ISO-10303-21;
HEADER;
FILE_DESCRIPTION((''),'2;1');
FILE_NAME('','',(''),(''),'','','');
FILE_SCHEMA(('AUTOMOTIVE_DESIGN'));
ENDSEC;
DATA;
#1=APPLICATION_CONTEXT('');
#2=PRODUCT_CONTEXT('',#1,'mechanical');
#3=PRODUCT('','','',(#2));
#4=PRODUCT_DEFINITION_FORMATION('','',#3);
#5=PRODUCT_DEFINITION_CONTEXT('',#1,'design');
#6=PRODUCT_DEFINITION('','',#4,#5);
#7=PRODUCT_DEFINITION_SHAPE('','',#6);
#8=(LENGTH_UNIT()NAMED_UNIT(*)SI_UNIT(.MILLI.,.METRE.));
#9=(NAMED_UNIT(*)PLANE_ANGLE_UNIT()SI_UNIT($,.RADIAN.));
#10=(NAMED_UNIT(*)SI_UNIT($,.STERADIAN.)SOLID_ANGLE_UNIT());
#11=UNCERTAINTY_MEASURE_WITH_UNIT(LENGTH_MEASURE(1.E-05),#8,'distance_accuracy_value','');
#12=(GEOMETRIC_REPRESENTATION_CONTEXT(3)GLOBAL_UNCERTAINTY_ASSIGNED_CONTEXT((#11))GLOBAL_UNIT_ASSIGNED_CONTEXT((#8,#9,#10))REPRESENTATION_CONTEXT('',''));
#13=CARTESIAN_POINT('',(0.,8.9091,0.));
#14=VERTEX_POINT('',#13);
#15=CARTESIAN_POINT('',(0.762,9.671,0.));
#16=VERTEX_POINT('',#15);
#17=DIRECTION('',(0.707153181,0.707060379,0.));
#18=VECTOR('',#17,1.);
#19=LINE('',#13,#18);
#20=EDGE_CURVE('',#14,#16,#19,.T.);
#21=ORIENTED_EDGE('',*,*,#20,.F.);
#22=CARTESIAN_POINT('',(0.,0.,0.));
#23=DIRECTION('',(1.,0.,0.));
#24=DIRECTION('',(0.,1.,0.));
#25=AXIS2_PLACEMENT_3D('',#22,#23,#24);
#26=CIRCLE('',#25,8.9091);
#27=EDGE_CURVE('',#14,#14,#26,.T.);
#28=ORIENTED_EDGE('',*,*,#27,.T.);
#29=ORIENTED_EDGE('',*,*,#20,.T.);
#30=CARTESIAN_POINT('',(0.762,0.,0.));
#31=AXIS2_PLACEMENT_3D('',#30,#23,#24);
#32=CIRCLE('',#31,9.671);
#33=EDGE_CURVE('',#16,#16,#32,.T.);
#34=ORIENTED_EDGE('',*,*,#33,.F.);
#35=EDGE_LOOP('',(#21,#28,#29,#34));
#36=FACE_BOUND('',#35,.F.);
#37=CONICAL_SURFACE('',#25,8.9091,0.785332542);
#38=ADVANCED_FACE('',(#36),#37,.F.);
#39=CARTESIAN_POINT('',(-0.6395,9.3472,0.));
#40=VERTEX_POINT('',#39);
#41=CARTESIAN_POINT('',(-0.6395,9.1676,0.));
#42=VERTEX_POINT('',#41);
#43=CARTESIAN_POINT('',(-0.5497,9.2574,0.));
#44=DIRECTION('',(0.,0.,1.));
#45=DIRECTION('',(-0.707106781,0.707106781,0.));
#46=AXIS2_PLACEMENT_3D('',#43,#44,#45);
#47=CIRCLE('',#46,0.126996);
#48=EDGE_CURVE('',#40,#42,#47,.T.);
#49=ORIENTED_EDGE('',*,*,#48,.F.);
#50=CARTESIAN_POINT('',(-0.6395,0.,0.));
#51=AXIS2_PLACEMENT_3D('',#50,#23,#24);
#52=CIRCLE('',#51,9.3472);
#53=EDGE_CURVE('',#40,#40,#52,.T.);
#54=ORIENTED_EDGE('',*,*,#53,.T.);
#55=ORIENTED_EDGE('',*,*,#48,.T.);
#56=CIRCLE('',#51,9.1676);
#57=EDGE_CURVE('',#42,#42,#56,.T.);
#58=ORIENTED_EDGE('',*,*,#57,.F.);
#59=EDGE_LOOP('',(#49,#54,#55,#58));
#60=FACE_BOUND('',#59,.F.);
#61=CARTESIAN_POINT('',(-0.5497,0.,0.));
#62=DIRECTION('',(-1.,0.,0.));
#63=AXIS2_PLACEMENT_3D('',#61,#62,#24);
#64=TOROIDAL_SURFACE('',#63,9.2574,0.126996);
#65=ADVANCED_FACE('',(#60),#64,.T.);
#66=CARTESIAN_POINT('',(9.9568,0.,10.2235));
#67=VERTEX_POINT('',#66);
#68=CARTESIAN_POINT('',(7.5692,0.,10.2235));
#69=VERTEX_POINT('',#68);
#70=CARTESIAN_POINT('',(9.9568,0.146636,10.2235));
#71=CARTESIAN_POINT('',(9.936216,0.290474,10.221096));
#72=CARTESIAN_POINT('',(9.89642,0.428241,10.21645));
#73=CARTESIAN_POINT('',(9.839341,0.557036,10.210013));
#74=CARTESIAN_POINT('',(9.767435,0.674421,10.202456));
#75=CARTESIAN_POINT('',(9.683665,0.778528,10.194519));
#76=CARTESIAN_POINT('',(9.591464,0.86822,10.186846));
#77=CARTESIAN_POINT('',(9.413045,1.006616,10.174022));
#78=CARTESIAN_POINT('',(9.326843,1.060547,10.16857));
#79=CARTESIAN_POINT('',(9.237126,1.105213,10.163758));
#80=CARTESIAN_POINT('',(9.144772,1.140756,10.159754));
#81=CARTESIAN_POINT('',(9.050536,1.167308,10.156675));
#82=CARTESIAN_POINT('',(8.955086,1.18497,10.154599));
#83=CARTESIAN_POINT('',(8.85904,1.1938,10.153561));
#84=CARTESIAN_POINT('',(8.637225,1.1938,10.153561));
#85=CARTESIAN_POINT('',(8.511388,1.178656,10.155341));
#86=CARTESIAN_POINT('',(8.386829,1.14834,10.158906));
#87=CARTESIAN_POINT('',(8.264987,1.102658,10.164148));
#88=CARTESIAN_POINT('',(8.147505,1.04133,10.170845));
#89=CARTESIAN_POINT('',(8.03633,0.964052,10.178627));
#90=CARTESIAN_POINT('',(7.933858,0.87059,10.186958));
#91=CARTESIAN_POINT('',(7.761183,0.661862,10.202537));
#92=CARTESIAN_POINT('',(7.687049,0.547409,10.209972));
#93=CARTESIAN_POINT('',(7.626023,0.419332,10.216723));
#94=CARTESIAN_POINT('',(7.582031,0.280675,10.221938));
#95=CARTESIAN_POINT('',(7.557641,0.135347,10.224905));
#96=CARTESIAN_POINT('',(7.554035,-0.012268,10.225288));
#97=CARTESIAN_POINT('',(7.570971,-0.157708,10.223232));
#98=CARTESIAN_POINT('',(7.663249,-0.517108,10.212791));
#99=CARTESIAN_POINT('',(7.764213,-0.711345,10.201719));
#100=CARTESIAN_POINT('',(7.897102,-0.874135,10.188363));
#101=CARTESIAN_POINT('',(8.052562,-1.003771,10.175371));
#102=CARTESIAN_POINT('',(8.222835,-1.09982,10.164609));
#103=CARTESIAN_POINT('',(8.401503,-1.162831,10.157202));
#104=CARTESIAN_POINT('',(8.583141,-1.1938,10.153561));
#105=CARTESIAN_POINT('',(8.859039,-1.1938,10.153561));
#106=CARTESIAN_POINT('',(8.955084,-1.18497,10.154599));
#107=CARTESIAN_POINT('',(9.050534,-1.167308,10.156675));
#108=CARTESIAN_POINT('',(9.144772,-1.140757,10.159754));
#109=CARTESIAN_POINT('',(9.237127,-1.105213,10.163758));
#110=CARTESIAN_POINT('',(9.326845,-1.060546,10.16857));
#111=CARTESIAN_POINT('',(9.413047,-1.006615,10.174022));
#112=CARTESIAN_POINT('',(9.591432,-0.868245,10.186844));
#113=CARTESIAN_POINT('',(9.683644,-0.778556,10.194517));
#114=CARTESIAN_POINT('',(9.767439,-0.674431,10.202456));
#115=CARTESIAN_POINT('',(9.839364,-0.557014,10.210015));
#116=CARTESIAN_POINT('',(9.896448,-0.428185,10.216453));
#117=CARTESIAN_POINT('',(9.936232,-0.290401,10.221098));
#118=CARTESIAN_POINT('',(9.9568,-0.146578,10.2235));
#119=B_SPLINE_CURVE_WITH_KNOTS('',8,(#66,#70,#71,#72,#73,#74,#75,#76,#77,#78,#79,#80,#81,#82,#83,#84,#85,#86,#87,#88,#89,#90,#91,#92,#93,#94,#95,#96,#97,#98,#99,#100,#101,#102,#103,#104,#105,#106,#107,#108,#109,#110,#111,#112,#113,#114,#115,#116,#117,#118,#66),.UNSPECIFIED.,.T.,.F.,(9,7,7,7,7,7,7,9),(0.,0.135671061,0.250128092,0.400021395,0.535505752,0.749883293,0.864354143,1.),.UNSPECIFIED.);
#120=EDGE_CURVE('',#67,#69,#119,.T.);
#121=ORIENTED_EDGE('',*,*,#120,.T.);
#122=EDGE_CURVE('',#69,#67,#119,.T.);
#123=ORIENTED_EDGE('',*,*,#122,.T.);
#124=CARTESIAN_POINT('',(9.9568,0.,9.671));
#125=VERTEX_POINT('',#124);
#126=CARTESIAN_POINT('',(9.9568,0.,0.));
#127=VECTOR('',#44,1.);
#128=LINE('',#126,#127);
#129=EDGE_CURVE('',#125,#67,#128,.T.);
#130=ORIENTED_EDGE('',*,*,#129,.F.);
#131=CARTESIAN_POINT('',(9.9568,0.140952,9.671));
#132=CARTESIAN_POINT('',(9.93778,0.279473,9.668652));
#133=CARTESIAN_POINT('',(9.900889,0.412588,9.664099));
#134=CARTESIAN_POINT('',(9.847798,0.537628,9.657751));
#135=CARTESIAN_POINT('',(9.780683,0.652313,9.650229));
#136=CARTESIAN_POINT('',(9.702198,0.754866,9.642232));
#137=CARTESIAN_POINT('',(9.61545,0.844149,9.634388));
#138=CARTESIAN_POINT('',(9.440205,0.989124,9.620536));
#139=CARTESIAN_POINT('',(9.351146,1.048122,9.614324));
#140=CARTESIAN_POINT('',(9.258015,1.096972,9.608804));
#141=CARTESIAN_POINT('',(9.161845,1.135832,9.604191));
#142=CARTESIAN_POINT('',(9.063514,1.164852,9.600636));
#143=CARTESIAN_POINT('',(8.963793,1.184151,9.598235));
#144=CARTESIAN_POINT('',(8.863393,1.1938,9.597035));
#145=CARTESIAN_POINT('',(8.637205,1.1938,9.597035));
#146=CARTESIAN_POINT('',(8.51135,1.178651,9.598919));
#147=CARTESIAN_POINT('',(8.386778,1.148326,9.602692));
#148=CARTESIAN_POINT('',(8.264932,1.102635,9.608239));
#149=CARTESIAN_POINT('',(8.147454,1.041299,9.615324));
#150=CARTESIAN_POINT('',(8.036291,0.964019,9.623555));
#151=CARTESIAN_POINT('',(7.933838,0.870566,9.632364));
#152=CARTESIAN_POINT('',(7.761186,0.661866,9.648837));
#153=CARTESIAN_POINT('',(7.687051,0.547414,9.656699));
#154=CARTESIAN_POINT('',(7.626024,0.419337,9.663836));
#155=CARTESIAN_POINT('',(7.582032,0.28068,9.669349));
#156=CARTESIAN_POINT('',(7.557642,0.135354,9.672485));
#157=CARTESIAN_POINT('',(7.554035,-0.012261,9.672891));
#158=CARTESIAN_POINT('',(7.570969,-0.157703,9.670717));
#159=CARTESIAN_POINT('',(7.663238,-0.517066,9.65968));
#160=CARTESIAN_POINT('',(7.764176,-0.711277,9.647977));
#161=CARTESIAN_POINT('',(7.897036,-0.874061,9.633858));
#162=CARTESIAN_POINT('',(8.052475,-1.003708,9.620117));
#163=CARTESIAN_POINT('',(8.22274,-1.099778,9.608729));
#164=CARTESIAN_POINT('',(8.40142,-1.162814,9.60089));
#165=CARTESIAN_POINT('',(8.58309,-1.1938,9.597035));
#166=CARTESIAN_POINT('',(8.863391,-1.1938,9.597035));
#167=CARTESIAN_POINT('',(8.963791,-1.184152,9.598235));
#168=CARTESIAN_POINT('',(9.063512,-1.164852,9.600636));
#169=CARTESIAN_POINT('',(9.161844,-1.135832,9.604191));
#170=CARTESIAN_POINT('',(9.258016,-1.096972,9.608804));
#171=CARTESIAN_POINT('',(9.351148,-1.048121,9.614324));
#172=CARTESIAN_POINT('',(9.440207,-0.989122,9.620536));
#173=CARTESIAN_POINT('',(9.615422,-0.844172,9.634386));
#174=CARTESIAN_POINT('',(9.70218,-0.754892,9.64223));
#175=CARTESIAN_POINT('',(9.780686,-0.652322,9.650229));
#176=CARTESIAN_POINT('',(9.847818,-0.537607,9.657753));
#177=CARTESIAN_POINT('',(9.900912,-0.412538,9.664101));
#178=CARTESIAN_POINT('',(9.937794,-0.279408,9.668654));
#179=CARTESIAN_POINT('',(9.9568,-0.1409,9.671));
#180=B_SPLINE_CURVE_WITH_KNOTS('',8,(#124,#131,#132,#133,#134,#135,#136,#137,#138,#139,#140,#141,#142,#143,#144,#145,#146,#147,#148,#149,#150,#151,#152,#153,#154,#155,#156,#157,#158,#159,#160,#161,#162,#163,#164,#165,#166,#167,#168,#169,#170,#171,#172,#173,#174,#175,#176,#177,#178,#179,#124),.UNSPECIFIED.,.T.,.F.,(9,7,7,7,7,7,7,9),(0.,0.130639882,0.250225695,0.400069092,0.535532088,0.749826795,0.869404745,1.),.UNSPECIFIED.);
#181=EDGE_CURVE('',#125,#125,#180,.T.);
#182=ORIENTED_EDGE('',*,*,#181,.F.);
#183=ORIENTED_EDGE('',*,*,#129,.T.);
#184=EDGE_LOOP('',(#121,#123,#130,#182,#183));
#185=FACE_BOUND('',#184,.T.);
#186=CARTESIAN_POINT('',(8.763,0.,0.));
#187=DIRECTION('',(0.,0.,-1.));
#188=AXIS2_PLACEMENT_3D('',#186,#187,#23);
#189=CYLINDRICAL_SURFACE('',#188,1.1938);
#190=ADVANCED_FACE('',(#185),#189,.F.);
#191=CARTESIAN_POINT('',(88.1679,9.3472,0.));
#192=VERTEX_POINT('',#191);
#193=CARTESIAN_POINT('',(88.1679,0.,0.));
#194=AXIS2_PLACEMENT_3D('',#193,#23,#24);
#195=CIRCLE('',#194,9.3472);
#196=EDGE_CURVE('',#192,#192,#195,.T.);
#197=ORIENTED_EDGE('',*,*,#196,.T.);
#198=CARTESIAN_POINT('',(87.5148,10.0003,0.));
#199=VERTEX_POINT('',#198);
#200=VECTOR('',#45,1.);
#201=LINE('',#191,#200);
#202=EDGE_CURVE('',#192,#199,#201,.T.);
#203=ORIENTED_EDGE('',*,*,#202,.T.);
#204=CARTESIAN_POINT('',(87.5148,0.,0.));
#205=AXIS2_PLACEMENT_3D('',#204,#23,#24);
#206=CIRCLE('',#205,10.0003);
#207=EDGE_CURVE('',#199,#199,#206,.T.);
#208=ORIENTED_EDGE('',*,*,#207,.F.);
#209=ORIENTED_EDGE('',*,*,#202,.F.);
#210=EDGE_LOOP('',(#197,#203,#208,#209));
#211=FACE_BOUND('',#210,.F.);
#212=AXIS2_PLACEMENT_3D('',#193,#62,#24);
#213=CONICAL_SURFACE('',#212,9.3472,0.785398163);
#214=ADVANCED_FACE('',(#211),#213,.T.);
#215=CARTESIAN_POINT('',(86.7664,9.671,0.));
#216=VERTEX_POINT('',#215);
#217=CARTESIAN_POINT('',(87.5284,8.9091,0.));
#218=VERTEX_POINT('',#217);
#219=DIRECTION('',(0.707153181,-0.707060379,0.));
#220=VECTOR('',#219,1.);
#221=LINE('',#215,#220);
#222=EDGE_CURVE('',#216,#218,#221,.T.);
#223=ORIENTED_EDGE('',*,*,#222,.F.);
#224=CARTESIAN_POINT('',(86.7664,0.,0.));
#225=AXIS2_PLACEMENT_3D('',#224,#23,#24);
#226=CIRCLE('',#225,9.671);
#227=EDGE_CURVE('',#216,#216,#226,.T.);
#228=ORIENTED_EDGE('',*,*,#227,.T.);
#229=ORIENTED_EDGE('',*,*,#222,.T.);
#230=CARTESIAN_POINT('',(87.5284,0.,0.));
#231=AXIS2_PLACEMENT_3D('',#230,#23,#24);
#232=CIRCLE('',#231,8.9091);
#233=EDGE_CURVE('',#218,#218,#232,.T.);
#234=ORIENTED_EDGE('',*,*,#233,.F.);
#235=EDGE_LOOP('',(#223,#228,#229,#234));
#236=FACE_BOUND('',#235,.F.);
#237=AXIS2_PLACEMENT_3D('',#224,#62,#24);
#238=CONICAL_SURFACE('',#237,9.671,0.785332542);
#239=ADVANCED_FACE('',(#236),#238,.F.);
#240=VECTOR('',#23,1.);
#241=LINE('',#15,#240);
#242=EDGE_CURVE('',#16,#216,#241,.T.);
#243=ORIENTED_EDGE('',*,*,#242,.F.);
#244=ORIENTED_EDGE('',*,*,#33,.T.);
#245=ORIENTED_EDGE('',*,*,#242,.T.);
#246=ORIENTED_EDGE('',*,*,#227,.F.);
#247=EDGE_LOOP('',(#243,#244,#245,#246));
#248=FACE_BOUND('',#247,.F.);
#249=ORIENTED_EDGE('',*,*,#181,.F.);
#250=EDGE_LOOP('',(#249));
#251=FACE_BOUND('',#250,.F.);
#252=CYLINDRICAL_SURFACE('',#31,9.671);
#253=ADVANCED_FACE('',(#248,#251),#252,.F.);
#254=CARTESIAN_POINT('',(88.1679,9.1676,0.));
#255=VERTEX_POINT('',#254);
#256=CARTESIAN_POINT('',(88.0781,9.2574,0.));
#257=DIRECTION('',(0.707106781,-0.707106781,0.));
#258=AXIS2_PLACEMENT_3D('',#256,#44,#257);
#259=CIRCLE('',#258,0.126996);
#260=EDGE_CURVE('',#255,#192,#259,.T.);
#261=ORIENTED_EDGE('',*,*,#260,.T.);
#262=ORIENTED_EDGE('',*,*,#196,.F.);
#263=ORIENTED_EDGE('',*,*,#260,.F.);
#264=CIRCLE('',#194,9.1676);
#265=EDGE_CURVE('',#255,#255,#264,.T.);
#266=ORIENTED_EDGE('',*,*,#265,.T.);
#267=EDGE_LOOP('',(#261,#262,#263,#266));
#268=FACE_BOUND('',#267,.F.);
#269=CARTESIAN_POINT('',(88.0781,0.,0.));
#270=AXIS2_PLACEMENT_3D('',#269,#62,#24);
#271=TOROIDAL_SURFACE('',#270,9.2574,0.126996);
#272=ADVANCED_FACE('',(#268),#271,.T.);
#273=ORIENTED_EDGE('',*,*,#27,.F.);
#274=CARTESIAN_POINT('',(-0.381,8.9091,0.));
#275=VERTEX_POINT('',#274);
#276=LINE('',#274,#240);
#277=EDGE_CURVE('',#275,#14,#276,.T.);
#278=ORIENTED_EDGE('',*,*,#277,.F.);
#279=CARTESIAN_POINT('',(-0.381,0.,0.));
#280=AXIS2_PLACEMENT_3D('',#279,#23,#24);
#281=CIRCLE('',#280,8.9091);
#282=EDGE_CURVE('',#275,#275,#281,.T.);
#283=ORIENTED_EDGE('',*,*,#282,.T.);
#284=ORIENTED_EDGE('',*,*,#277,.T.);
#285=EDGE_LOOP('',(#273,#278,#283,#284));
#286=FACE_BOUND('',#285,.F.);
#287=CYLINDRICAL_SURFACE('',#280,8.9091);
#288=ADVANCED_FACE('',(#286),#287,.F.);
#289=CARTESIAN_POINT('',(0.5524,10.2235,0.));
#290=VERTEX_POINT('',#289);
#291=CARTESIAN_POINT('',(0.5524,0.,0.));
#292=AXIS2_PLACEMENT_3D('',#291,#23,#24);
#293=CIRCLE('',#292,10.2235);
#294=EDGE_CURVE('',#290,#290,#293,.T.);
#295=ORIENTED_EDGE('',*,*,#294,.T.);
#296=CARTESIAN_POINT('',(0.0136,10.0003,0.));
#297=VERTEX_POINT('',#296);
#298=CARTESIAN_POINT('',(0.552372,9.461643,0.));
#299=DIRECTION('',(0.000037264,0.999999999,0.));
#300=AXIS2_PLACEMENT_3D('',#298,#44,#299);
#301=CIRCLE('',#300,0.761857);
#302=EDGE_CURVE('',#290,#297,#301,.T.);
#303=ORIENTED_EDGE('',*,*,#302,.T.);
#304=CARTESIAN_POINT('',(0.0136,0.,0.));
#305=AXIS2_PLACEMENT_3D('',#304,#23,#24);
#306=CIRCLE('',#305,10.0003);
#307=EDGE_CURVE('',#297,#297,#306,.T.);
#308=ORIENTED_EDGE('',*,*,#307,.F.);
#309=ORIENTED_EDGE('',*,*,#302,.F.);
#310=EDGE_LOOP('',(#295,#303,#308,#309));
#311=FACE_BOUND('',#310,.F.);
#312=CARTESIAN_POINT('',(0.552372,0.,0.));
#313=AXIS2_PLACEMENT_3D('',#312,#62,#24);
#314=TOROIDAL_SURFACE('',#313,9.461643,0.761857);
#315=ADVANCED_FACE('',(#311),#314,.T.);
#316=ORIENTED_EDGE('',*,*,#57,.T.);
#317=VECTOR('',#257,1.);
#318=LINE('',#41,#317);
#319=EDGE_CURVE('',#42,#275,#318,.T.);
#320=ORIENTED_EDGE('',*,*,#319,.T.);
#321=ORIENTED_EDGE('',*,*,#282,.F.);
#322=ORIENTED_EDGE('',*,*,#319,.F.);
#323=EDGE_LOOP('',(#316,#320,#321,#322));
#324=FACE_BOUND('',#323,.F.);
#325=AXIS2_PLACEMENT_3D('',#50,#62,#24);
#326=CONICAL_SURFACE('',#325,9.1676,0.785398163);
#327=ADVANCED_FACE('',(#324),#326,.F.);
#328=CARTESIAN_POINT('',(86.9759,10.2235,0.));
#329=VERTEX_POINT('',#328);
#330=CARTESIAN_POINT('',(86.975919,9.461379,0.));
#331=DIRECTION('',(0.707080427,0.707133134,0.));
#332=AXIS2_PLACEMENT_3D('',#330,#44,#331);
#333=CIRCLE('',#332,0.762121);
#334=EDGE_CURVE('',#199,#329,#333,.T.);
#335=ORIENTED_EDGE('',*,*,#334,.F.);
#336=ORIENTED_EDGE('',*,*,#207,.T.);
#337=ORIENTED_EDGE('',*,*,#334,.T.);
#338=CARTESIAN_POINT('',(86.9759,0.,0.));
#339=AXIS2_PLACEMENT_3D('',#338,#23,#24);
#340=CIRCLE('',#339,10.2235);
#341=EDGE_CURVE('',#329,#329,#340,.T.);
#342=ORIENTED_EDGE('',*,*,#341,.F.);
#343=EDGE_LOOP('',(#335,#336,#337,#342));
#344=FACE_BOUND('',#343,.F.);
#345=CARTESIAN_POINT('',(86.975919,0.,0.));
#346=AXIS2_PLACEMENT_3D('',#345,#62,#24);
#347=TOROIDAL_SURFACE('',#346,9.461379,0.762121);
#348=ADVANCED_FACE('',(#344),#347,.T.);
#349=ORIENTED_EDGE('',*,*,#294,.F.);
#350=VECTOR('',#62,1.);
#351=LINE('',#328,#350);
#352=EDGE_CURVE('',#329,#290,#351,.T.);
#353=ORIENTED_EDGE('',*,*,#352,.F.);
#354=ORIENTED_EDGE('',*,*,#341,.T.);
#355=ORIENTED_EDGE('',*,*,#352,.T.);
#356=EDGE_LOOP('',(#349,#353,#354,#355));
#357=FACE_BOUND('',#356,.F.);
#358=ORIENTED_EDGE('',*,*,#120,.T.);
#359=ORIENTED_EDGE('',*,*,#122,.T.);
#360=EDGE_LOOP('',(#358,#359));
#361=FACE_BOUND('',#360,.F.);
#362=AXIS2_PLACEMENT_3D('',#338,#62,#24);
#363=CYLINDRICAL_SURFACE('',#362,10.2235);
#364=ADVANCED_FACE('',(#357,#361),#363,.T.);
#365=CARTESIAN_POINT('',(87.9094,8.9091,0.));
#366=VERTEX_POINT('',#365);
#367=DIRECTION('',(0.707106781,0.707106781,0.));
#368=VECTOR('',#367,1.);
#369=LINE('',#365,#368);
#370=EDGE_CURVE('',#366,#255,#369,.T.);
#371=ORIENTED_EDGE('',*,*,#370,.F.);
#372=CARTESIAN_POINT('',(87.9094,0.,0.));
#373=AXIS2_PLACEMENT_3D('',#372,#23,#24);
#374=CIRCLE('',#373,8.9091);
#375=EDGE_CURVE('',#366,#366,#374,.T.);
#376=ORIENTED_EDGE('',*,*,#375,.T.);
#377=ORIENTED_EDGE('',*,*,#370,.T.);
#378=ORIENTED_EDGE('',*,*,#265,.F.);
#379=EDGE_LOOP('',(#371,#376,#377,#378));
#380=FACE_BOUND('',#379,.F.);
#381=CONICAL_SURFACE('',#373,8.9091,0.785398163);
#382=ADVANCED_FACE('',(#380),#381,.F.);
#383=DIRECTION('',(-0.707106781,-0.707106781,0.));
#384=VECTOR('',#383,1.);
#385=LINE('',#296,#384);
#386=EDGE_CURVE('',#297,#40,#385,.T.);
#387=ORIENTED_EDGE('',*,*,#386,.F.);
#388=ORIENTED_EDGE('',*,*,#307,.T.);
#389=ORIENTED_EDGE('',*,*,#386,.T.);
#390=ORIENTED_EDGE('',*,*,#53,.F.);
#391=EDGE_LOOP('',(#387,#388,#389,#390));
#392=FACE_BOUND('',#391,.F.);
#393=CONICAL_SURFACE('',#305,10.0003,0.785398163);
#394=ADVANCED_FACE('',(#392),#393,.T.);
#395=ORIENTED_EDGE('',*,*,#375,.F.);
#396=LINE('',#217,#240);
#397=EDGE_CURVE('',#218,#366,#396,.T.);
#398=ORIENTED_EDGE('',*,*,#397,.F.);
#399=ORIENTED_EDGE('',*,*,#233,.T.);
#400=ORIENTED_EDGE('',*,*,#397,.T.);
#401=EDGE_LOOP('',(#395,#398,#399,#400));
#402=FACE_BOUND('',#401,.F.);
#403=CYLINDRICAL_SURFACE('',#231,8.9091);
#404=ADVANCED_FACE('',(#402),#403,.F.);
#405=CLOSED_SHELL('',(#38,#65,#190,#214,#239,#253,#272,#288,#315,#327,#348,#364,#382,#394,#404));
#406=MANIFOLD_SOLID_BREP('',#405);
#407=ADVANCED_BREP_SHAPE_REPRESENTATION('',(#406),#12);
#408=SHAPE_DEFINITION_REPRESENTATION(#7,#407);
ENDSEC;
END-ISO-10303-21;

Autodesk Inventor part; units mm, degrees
sketch "Sketch_1" plane through (0, 0, 0) normal (0, 0, 1) x (1, 0, 0)
  line L0 (87.5284, 0) -> (0, 0)
  arc A0 (-0.6395, 9.3472) -> (-0.6395, 9.1676) centre (-0.5497, 9.2574) ccw
  line L1 (-0.6395, 9.1676) -> (-0.381, 8.9091)
  line L2 (-0.381, 8.9091) -> (0, 8.9091)
  line L3 (0, 8.9091) -> (0.762, 9.671)
  line L4 (0.762, 9.671) -> (86.7664, 9.671)
  line L5 (86.7664, 9.671) -> (87.5284, 8.9091)
  line L6 (87.5284, 8.9091) -> (87.9094, 8.9091)
  line L7 (87.9094, 8.9091) -> (88.1679, 9.1676)
  arc A1 (88.1679, 9.1676) -> (88.1679, 9.3472) centre (88.0781, 9.2574) ccw
  line L8 (88.1679, 9.3472) -> (87.5148, 10.0003)
  arc A2 (87.5148, 10.0003) -> (86.9759, 10.2235) centre (86.976, 9.4615) ccw
  line L9 (86.9759, 10.2235) -> (0.5524, 10.2235)
  arc A3 (0.5524, 10.2235) -> (0.0136, 10.0003) centre (0.5524, 9.4615) ccw
  line L10 (0.0136, 10.0003) -> (-0.6395, 9.3472)
revolve "Revolution1" add sketch "Sketch_1" angle 360 about axis through (87.5284, 0, 0) along (1, 0, 0)
sketch "Sketch_4" plane through (0, 0, 0) normal (0, 0, 1) x (1, 0, 0)
  circle A0 centre (8.763, 0) radius 1.1938
extrude "Extrusion1" cut sketch "Sketch_4" along normal blind 10.2235
ref_plane "cp1_XY" through (43.7642, 0, 10.2235) normal (1, 0, 0) x (0, 0, -1)
ref_plane "cp1_YZ" through (43.7642, 0, 10.2235) normal (0, 0, -1) x (0, 1, 0)
ref_plane "cp1_ZX" through (43.7642, 0, 10.2235) normal (0, 1, 0) x (1, 0, 0)
ref_plane "cp2_XY" through (43.7642, 10.2235, 0) normal (1, 0, 0) x (0, 0, -1)
ref_plane "cp2_YZ" through (43.7642, 10.2235, 0) normal (0, 0, -1) x (0, 1, 0)
ref_plane "cp2_ZX" through (43.7642, 10.2235, 0) normal (0, 1, 0) x (1, 0, 0)
ref_plane "cp3_XY" through (43.7642, 0, -10.2235) normal (1, 0, 0) x (0, 0, -1)
ref_plane "cp3_YZ" through (43.7642, 0, -10.2235) normal (0, 0, -1) x (0, 1, 0)
ref_plane "cp3_ZX" through (43.7642, 0, -10.2235) normal (0, 1, 0) x (1, 0, 0)
ref_plane "cp4_XY" through (43.7642, -10.2235, 0) normal (1, 0, 0) x (0, 0, -1)
ref_plane "cp4_YZ" through (43.7642, -10.2235, 0) normal (0, 0, -1) x (0, 1, 0)
ref_plane "cp4_ZX" through (43.7642, -10.2235, 0) normal (0, 1, 0) x (1, 0, 0)
ref_plane "tube_front_XY" through (0, 0, 0) normal (1, 0, 0) x (0, 0, -1)
ref_plane "tube_front_YZ" through (0, 0, 0) normal (0, 0, -1) x (0, 1, 0)
ref_plane "tube_front_ZX" through (0, 0, 0) normal (0, 1, 0) x (1, 0, 0)
ref_plane "tube_rear_XY" through (87.5284, 0, 0) normal (1, 0, 0) x (0, 0, -1)
ref_plane "tube_rear_YZ" through (87.5284, 0, 0) normal (0, 0, -1) x (0, 1, 0)
ref_plane "tube_rear_ZX" through (87.5284, 0, 0) normal (0, 1, 0) x (1, 0, 0)
properties part number "04-3.4462C"
